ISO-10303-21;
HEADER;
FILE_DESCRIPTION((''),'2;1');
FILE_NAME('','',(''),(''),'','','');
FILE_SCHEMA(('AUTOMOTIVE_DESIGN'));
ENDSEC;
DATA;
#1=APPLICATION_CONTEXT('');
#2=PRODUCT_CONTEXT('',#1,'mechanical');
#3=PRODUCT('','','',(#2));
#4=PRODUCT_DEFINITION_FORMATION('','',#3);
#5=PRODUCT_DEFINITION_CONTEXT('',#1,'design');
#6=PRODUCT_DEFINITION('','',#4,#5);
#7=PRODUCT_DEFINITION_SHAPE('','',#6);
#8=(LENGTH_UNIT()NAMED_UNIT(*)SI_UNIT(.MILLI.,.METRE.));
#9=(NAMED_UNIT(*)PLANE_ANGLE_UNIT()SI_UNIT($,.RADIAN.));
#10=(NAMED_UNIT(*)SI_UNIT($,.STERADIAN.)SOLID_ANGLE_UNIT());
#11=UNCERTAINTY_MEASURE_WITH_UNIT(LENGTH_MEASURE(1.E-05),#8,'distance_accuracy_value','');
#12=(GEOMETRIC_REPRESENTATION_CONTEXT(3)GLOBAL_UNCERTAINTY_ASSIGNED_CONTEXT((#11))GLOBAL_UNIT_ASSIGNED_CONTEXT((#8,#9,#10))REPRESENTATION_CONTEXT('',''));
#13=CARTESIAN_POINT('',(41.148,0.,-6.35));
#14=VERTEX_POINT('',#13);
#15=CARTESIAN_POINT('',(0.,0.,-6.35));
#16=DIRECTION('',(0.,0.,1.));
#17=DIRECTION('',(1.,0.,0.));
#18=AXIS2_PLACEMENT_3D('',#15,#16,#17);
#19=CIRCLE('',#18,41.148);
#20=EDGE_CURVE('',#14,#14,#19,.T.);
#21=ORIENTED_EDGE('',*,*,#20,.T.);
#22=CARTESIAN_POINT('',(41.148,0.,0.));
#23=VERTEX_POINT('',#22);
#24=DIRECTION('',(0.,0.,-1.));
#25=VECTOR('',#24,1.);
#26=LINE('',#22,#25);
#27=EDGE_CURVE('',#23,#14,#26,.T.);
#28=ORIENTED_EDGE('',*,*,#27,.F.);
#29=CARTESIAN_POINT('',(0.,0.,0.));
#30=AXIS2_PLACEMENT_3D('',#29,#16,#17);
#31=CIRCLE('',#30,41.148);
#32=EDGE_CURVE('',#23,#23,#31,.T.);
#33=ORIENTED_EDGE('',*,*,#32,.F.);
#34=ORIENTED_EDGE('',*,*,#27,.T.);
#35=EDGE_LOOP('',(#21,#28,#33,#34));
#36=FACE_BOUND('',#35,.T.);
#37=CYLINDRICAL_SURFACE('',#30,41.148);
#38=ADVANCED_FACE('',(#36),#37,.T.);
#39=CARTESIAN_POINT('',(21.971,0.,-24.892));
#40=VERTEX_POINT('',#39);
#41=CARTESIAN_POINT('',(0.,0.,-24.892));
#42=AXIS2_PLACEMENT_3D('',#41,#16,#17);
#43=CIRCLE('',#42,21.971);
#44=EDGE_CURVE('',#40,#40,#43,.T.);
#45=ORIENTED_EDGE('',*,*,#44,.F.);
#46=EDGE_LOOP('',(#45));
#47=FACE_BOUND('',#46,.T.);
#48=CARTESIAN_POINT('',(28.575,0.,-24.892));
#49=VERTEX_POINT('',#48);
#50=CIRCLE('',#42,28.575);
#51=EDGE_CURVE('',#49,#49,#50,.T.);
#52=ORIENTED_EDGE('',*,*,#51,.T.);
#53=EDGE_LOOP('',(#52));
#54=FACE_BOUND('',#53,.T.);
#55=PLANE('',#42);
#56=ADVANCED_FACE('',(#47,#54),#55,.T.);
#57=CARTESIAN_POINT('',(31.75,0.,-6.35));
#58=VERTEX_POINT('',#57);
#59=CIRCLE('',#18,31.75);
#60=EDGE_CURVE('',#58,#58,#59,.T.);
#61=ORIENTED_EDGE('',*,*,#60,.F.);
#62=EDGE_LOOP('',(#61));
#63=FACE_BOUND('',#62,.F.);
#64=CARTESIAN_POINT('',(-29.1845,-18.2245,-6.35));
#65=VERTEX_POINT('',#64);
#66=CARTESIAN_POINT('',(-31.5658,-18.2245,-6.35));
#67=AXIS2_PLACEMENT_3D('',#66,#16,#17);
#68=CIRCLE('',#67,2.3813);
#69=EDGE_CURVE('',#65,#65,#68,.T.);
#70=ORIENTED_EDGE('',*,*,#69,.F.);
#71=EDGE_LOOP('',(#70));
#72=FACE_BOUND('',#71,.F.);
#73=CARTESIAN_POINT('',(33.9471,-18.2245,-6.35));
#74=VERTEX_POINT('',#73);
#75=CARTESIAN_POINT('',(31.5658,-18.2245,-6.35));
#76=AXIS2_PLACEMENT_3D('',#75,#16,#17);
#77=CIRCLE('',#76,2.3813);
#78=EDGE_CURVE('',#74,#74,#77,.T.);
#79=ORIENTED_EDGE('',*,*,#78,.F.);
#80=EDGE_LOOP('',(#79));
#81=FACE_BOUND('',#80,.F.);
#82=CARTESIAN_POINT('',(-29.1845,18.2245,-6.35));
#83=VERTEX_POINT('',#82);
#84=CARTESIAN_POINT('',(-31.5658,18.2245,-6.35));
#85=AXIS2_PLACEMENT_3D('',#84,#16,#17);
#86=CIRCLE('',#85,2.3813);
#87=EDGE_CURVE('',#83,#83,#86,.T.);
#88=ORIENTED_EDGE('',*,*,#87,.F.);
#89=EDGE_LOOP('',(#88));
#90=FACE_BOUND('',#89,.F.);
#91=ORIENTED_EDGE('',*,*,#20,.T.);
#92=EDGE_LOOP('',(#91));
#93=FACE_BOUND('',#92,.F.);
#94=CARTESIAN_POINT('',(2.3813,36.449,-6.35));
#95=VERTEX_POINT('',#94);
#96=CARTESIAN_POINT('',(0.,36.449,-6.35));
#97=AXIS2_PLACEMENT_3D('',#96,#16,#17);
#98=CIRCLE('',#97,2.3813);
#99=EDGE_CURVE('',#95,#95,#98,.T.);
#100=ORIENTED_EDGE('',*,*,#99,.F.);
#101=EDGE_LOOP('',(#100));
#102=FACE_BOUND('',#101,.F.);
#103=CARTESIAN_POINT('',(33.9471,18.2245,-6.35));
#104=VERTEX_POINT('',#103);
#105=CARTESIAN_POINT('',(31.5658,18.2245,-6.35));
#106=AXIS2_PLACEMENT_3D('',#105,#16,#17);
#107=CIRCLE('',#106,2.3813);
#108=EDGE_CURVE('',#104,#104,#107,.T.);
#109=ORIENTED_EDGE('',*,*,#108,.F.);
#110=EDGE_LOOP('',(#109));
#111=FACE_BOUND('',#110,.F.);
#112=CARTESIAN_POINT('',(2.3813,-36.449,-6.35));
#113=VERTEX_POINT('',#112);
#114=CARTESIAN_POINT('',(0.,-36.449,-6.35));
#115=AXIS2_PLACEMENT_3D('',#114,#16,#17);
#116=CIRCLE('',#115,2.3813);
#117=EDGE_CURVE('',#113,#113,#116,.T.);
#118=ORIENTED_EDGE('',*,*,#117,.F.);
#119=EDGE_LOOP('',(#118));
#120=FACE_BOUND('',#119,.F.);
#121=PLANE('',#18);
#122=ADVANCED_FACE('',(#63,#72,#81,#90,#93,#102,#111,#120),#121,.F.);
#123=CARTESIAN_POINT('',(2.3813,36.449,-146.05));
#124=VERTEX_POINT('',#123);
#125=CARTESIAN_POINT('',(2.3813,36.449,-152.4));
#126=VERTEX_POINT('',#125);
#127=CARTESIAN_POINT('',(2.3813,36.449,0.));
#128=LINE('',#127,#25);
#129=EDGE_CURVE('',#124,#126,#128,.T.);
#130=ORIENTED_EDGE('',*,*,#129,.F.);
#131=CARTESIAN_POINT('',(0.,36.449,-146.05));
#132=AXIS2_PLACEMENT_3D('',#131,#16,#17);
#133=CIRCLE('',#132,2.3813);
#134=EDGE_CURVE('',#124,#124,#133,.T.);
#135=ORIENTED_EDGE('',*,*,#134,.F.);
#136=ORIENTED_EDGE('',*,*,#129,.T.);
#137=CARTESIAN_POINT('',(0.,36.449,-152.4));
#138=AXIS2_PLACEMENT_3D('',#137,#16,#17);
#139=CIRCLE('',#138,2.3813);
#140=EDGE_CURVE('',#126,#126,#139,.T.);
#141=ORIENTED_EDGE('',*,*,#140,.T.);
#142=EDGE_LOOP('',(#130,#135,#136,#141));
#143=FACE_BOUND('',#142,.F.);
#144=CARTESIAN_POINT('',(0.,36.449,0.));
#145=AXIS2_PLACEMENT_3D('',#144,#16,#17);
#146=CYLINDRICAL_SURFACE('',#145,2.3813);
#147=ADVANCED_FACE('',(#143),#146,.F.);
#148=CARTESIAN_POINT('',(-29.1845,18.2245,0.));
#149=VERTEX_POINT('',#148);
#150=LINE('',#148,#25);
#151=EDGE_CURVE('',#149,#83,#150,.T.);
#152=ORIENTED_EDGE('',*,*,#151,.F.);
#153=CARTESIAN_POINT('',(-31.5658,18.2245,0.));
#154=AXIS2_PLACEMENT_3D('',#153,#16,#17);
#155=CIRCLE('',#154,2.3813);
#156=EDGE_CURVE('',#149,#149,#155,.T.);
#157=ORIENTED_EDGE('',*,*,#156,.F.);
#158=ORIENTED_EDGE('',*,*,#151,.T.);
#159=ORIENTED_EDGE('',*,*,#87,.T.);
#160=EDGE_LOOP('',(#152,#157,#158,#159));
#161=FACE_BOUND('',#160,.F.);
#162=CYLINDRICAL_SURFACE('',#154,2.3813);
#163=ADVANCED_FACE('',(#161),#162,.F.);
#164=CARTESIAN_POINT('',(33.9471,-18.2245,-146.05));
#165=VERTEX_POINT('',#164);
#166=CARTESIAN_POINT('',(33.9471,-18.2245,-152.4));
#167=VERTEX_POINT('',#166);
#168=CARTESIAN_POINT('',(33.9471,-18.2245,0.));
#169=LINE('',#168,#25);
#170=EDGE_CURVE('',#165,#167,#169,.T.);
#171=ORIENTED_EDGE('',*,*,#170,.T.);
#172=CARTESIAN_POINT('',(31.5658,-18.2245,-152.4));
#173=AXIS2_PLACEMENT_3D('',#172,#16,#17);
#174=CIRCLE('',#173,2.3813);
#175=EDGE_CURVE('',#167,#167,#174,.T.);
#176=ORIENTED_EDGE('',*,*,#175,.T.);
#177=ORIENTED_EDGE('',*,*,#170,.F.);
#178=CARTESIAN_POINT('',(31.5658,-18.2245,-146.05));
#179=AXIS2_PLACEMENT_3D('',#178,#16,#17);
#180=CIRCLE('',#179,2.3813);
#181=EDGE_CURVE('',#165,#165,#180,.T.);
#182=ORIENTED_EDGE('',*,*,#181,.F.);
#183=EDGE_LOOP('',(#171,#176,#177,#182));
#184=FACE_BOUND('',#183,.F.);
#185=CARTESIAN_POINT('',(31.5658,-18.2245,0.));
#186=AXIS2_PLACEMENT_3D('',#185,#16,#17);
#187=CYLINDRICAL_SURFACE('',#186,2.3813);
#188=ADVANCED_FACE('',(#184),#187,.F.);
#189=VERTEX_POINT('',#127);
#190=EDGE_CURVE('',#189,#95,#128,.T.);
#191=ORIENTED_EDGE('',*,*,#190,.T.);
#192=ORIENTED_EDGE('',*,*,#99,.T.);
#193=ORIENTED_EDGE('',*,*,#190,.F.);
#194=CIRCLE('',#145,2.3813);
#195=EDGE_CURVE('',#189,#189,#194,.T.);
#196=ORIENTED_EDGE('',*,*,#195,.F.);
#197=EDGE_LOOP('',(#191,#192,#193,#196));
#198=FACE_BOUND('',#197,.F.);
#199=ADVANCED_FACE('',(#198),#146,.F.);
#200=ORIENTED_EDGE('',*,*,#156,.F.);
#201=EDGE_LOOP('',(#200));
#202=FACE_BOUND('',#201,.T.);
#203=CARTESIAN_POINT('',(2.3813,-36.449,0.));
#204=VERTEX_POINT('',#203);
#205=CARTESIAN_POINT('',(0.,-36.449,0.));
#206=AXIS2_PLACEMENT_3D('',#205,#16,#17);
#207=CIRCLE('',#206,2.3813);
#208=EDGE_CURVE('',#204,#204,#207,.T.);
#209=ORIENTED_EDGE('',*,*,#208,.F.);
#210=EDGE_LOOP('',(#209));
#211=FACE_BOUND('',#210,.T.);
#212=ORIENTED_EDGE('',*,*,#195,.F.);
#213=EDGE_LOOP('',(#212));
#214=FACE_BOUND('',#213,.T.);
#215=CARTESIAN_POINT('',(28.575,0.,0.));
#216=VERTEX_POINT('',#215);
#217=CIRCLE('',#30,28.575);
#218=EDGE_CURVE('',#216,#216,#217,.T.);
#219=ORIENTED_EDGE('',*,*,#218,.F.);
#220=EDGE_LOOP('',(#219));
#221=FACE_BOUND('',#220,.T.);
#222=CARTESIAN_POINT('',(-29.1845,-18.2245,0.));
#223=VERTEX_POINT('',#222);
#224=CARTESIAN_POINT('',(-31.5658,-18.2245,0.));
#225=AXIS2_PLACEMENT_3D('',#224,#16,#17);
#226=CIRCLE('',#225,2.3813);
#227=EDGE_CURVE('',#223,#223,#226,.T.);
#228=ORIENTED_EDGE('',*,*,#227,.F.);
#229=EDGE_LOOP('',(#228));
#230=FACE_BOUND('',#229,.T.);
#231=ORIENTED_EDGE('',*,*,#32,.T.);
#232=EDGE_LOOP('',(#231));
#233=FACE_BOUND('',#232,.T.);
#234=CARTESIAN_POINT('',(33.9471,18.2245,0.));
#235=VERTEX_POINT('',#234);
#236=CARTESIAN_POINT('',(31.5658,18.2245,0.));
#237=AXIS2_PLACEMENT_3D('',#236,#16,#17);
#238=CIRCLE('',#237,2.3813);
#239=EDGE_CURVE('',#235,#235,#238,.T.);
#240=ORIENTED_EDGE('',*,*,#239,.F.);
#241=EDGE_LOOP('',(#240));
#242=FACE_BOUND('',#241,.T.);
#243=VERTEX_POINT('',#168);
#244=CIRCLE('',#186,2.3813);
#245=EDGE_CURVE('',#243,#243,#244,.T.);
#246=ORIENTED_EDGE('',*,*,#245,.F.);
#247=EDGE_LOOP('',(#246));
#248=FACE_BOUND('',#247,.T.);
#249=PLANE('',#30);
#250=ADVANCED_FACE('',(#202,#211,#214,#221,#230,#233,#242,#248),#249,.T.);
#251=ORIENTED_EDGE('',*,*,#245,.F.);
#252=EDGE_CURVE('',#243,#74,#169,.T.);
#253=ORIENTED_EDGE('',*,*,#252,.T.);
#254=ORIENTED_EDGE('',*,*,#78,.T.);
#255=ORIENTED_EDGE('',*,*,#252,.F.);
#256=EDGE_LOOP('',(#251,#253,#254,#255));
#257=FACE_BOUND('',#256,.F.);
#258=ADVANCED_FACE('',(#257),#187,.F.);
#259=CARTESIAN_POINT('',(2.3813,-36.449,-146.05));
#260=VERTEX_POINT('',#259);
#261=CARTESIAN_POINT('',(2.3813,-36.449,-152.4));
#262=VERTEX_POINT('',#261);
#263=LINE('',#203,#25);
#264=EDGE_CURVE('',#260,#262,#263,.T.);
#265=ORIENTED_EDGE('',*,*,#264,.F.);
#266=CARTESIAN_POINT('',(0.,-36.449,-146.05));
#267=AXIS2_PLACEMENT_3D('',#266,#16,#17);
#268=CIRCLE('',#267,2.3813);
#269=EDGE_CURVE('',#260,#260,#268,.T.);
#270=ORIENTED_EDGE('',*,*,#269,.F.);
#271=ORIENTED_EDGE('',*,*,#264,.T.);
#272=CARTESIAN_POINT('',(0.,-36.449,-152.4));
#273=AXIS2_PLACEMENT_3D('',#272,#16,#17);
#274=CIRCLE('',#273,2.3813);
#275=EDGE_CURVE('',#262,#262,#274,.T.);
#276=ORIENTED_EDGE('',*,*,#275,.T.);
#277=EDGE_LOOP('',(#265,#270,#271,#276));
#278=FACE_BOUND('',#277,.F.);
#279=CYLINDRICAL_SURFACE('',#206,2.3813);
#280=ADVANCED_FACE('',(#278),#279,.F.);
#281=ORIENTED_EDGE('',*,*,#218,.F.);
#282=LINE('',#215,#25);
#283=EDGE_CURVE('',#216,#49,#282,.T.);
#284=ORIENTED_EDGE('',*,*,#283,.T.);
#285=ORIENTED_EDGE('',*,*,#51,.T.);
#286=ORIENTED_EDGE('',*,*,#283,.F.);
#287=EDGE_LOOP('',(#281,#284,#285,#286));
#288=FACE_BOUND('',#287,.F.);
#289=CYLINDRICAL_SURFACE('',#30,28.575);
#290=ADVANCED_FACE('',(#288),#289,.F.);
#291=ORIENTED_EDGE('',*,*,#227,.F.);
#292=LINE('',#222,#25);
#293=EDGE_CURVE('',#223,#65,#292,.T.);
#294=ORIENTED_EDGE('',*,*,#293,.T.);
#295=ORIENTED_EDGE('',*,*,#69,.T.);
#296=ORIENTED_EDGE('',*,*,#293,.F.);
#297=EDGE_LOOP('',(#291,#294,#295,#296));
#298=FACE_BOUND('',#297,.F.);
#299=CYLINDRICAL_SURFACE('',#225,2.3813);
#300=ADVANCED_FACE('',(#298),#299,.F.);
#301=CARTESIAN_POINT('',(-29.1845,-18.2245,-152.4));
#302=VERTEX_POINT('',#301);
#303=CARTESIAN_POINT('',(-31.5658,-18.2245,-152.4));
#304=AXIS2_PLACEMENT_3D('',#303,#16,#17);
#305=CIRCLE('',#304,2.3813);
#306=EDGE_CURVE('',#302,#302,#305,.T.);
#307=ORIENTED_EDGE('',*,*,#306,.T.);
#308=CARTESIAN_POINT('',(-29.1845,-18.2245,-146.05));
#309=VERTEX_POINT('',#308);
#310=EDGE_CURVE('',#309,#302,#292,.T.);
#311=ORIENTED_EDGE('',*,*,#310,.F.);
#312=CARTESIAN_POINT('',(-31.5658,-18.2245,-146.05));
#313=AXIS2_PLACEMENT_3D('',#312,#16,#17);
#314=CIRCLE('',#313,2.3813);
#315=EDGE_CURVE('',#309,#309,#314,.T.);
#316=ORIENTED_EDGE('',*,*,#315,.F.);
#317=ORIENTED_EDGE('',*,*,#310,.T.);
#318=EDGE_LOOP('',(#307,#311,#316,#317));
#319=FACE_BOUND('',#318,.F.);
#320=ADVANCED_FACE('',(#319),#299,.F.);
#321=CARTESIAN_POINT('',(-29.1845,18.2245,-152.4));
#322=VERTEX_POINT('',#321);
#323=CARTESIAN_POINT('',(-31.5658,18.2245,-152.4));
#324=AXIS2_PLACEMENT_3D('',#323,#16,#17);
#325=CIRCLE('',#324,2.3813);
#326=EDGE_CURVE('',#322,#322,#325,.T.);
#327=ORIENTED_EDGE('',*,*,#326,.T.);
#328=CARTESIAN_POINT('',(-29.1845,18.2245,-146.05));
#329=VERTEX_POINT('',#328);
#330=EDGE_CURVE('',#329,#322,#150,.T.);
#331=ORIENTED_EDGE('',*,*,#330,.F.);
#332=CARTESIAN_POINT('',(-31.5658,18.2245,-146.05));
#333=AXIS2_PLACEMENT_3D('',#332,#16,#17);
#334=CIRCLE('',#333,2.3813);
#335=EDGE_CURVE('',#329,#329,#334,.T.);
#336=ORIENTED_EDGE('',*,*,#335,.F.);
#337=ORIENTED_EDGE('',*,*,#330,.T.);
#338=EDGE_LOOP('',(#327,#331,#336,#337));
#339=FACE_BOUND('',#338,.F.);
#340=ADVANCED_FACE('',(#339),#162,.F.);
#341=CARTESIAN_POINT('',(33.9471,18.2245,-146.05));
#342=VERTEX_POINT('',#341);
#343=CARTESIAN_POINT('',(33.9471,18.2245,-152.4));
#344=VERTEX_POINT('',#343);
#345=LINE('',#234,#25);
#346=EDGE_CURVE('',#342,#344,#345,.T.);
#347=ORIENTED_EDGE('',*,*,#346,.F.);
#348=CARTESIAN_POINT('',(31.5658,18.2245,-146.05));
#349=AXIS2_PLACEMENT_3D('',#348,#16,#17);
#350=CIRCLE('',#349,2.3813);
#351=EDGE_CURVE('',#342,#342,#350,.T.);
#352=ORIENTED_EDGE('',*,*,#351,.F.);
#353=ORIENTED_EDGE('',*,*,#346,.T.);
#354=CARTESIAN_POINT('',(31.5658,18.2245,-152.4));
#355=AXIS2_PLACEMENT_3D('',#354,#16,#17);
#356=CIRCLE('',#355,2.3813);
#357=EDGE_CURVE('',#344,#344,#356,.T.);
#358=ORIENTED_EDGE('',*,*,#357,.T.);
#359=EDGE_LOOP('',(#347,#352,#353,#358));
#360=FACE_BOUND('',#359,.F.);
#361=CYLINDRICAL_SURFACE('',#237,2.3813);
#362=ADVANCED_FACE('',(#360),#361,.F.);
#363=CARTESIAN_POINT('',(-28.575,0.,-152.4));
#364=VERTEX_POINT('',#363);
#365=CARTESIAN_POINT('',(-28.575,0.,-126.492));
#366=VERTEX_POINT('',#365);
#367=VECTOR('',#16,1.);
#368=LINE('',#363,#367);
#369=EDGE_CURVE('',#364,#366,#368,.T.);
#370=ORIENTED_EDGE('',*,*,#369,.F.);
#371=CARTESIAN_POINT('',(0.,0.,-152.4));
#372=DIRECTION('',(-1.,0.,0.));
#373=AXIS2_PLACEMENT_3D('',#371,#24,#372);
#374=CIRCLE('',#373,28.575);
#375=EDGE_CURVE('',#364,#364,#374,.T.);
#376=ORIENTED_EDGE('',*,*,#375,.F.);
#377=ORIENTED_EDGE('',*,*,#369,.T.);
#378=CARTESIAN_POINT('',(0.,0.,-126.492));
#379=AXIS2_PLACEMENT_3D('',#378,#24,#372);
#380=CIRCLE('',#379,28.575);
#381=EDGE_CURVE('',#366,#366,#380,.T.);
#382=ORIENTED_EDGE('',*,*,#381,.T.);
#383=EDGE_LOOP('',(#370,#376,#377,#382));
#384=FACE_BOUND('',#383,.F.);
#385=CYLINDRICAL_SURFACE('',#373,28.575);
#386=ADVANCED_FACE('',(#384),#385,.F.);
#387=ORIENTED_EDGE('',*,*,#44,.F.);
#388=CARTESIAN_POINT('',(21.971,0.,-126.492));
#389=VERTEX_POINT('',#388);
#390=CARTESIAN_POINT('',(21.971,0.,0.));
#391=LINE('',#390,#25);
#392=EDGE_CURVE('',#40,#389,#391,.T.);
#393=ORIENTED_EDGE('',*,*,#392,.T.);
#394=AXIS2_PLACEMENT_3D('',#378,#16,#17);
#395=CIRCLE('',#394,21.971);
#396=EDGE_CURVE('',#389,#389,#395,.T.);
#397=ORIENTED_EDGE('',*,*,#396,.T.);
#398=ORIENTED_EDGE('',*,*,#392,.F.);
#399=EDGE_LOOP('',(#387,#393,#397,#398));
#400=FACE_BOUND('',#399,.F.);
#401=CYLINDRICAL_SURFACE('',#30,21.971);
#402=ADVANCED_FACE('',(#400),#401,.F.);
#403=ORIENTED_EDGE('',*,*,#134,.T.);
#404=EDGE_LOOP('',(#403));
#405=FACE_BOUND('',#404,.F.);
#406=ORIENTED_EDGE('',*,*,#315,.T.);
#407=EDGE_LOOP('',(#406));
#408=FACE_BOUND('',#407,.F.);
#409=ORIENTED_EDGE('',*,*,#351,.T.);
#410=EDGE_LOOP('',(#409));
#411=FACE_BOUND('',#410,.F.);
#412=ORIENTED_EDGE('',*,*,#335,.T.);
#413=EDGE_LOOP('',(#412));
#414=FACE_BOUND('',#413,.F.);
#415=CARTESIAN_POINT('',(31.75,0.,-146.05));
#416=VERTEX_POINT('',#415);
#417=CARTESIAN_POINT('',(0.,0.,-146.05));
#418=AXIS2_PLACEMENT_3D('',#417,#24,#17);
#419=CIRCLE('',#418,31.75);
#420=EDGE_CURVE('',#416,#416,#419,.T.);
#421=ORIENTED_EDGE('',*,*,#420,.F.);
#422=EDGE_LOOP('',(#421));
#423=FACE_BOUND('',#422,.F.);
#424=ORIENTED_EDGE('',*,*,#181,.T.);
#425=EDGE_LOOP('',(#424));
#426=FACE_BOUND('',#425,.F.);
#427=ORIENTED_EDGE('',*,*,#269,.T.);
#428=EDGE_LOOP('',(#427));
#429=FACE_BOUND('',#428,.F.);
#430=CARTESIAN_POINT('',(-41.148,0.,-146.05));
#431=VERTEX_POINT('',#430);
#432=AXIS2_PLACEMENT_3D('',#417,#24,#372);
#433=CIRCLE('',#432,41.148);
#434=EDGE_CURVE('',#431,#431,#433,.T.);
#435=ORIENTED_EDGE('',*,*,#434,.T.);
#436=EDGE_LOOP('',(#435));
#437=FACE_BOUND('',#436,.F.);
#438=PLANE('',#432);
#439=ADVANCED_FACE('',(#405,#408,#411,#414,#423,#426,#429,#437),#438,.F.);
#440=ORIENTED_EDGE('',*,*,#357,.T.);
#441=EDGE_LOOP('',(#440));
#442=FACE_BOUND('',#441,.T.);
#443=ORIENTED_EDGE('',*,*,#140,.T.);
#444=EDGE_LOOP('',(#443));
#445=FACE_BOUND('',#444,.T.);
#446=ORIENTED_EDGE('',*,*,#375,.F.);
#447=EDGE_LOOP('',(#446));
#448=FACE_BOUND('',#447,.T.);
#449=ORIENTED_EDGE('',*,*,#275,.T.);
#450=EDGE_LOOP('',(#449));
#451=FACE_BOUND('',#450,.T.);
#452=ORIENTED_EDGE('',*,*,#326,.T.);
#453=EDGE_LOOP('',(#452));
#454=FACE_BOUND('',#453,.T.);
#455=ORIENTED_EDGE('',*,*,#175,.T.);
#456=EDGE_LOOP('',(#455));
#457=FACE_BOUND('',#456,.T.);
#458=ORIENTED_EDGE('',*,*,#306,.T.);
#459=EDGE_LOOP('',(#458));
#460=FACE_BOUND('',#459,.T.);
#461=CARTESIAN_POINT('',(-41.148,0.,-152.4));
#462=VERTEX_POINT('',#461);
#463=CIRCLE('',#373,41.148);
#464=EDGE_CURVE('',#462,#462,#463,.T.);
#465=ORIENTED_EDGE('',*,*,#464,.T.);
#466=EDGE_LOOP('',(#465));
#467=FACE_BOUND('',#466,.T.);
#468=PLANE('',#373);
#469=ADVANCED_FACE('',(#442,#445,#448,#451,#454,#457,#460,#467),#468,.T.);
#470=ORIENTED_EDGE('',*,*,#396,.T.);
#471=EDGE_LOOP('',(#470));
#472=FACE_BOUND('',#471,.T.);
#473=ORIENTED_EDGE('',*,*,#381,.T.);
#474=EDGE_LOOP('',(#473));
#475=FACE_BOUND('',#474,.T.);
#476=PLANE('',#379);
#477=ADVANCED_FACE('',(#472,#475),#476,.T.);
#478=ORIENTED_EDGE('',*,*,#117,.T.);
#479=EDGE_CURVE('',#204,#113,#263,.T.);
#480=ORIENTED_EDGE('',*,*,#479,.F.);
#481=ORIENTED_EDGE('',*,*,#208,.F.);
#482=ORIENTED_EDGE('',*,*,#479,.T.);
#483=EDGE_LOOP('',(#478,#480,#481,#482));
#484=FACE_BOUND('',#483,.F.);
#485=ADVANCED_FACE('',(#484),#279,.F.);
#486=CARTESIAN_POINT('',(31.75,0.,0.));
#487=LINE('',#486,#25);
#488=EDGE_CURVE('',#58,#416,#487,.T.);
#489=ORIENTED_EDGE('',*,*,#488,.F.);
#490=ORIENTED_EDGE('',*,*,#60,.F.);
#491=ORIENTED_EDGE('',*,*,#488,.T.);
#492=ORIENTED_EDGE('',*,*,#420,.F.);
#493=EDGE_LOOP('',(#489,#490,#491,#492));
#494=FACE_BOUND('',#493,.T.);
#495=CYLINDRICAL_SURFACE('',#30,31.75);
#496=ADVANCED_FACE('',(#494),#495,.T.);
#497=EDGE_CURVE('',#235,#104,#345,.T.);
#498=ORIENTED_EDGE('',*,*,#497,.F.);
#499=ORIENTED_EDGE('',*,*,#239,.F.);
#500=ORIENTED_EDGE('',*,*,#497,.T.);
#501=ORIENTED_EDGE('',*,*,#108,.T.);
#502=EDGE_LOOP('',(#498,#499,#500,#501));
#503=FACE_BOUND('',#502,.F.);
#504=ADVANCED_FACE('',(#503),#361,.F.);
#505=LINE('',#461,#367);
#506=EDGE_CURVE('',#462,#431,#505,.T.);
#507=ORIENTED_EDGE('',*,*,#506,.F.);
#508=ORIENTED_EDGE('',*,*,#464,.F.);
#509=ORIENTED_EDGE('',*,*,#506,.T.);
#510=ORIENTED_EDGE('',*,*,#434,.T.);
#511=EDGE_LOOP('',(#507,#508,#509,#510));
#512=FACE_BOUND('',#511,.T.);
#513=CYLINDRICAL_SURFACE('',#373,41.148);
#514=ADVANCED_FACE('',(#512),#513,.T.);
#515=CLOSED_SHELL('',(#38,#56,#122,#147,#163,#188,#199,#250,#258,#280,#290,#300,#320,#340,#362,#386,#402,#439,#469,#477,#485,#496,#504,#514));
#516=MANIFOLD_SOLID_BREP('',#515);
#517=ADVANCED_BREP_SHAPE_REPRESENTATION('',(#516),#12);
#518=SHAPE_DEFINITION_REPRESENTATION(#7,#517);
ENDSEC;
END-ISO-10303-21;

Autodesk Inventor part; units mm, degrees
ref_plane "YZ Plane" through (0, 0, 0) normal (1, 0, 0) x (0, 1, 0)
ref_plane "XZ Plane" through (0, 0, 0) normal (0, 1, 0) x (-1, 0, 0)
ref_plane "XY Plane" through (0, 0, 0) normal (0, 0, 1) x (1, 0, 0)
sketch "Sketch1" plane through (0, 0, 0) normal (0, 0, 1) x (1, 0, 0)
  circle A0 centre (0, 0) radius 41.148
  dimension "d0" = 82.296
extrude "Extrusion1" add sketch "Sketch1" against normal blind 152.4
sketch "Sketch2" plane through (0, 0, 0) normal (0, 0, 1) x (1, 0, 0)
  circle A0 centre (0, 0) radius 21.971
  dimension "d3" = 43.942
extrude "Extrusion2" cut sketch "Sketch2" against normal blind 152.4
sketch "Sketch3" plane through (0, 0, 0) normal (0, 0, 1) x (1, 0, 0)
  circle A0 centre (0, 0) radius 28.575
  dimension "d6" = 57.15
extrude "Extrusion3" cut sketch "Sketch3" against normal blind 24.892
sketch "Sketch4" plane through (0, 0, -152.4) normal (0, 0, -1) x (-1, 0, 0)
  circle A0 centre (0, 0) radius 28.575
  dimension "d9" = 57.15
extrude "Extrusion4" cut sketch "Sketch4" against normal blind 25.908
sketch "Sketch5" plane through (0, 0, 0) normal (0, 0, 1) x (1, 0, 0)
  circle A0 centre (0, 0) radius 41.148
  circle A1 centre (0, 0) radius 31.75
  dimension "d12" = 63.5
extrude "Extrusion5" cut sketch "Sketch5" against normal blind 177.8
sketch "Sketch6" plane through (0, 0, 0) normal (0, 0, 1) x (1, 0, 0)
  circle A0 centre (0, 0) radius 31.75
  circle A1 centre (0, 0) radius 41.148
  dimension "d15" = 82.296
extrude "Extrusion6" add sketch "Sketch6" against normal blind 6.35
sketch "Sketch7" plane through (0, 0, -152.4) normal (0, 0, -1) x (-1, 0, 0)
  circle A0 centre (0, 0) radius 31.75
  circle A1 centre (0, 0) radius 31.75 projected
  circle A2 centre (0, 0) radius 41.148
extrude "Extrusion7" add sketch "Sketch7" against normal blind 6.35
sketch "Sketch8" plane through (0, 0, 0) normal (0, 0, 1) x (1, 0, 0)
  circle A0 centre (0, 36.449) radius 2.3813
  circle A1 centre (31.5658, 18.2245) radius 2.3813
  circle A2 centre (31.5658, -18.2245) radius 2.3813
  circle A3 centre (0, -36.449) radius 2.3813
  circle A4 centre (-31.5658, -18.2245) radius 2.3813
  circle A5 centre (-31.5658, 18.2245) radius 2.3813
  point P0 (0, 0)
  dimension "d20" = 4.7625
  dimension "d23" = 360
extrude "Extrusion8" cut sketch "Sketch8" against normal blind 177.8
properties part number "CombustionChamber4_4"
